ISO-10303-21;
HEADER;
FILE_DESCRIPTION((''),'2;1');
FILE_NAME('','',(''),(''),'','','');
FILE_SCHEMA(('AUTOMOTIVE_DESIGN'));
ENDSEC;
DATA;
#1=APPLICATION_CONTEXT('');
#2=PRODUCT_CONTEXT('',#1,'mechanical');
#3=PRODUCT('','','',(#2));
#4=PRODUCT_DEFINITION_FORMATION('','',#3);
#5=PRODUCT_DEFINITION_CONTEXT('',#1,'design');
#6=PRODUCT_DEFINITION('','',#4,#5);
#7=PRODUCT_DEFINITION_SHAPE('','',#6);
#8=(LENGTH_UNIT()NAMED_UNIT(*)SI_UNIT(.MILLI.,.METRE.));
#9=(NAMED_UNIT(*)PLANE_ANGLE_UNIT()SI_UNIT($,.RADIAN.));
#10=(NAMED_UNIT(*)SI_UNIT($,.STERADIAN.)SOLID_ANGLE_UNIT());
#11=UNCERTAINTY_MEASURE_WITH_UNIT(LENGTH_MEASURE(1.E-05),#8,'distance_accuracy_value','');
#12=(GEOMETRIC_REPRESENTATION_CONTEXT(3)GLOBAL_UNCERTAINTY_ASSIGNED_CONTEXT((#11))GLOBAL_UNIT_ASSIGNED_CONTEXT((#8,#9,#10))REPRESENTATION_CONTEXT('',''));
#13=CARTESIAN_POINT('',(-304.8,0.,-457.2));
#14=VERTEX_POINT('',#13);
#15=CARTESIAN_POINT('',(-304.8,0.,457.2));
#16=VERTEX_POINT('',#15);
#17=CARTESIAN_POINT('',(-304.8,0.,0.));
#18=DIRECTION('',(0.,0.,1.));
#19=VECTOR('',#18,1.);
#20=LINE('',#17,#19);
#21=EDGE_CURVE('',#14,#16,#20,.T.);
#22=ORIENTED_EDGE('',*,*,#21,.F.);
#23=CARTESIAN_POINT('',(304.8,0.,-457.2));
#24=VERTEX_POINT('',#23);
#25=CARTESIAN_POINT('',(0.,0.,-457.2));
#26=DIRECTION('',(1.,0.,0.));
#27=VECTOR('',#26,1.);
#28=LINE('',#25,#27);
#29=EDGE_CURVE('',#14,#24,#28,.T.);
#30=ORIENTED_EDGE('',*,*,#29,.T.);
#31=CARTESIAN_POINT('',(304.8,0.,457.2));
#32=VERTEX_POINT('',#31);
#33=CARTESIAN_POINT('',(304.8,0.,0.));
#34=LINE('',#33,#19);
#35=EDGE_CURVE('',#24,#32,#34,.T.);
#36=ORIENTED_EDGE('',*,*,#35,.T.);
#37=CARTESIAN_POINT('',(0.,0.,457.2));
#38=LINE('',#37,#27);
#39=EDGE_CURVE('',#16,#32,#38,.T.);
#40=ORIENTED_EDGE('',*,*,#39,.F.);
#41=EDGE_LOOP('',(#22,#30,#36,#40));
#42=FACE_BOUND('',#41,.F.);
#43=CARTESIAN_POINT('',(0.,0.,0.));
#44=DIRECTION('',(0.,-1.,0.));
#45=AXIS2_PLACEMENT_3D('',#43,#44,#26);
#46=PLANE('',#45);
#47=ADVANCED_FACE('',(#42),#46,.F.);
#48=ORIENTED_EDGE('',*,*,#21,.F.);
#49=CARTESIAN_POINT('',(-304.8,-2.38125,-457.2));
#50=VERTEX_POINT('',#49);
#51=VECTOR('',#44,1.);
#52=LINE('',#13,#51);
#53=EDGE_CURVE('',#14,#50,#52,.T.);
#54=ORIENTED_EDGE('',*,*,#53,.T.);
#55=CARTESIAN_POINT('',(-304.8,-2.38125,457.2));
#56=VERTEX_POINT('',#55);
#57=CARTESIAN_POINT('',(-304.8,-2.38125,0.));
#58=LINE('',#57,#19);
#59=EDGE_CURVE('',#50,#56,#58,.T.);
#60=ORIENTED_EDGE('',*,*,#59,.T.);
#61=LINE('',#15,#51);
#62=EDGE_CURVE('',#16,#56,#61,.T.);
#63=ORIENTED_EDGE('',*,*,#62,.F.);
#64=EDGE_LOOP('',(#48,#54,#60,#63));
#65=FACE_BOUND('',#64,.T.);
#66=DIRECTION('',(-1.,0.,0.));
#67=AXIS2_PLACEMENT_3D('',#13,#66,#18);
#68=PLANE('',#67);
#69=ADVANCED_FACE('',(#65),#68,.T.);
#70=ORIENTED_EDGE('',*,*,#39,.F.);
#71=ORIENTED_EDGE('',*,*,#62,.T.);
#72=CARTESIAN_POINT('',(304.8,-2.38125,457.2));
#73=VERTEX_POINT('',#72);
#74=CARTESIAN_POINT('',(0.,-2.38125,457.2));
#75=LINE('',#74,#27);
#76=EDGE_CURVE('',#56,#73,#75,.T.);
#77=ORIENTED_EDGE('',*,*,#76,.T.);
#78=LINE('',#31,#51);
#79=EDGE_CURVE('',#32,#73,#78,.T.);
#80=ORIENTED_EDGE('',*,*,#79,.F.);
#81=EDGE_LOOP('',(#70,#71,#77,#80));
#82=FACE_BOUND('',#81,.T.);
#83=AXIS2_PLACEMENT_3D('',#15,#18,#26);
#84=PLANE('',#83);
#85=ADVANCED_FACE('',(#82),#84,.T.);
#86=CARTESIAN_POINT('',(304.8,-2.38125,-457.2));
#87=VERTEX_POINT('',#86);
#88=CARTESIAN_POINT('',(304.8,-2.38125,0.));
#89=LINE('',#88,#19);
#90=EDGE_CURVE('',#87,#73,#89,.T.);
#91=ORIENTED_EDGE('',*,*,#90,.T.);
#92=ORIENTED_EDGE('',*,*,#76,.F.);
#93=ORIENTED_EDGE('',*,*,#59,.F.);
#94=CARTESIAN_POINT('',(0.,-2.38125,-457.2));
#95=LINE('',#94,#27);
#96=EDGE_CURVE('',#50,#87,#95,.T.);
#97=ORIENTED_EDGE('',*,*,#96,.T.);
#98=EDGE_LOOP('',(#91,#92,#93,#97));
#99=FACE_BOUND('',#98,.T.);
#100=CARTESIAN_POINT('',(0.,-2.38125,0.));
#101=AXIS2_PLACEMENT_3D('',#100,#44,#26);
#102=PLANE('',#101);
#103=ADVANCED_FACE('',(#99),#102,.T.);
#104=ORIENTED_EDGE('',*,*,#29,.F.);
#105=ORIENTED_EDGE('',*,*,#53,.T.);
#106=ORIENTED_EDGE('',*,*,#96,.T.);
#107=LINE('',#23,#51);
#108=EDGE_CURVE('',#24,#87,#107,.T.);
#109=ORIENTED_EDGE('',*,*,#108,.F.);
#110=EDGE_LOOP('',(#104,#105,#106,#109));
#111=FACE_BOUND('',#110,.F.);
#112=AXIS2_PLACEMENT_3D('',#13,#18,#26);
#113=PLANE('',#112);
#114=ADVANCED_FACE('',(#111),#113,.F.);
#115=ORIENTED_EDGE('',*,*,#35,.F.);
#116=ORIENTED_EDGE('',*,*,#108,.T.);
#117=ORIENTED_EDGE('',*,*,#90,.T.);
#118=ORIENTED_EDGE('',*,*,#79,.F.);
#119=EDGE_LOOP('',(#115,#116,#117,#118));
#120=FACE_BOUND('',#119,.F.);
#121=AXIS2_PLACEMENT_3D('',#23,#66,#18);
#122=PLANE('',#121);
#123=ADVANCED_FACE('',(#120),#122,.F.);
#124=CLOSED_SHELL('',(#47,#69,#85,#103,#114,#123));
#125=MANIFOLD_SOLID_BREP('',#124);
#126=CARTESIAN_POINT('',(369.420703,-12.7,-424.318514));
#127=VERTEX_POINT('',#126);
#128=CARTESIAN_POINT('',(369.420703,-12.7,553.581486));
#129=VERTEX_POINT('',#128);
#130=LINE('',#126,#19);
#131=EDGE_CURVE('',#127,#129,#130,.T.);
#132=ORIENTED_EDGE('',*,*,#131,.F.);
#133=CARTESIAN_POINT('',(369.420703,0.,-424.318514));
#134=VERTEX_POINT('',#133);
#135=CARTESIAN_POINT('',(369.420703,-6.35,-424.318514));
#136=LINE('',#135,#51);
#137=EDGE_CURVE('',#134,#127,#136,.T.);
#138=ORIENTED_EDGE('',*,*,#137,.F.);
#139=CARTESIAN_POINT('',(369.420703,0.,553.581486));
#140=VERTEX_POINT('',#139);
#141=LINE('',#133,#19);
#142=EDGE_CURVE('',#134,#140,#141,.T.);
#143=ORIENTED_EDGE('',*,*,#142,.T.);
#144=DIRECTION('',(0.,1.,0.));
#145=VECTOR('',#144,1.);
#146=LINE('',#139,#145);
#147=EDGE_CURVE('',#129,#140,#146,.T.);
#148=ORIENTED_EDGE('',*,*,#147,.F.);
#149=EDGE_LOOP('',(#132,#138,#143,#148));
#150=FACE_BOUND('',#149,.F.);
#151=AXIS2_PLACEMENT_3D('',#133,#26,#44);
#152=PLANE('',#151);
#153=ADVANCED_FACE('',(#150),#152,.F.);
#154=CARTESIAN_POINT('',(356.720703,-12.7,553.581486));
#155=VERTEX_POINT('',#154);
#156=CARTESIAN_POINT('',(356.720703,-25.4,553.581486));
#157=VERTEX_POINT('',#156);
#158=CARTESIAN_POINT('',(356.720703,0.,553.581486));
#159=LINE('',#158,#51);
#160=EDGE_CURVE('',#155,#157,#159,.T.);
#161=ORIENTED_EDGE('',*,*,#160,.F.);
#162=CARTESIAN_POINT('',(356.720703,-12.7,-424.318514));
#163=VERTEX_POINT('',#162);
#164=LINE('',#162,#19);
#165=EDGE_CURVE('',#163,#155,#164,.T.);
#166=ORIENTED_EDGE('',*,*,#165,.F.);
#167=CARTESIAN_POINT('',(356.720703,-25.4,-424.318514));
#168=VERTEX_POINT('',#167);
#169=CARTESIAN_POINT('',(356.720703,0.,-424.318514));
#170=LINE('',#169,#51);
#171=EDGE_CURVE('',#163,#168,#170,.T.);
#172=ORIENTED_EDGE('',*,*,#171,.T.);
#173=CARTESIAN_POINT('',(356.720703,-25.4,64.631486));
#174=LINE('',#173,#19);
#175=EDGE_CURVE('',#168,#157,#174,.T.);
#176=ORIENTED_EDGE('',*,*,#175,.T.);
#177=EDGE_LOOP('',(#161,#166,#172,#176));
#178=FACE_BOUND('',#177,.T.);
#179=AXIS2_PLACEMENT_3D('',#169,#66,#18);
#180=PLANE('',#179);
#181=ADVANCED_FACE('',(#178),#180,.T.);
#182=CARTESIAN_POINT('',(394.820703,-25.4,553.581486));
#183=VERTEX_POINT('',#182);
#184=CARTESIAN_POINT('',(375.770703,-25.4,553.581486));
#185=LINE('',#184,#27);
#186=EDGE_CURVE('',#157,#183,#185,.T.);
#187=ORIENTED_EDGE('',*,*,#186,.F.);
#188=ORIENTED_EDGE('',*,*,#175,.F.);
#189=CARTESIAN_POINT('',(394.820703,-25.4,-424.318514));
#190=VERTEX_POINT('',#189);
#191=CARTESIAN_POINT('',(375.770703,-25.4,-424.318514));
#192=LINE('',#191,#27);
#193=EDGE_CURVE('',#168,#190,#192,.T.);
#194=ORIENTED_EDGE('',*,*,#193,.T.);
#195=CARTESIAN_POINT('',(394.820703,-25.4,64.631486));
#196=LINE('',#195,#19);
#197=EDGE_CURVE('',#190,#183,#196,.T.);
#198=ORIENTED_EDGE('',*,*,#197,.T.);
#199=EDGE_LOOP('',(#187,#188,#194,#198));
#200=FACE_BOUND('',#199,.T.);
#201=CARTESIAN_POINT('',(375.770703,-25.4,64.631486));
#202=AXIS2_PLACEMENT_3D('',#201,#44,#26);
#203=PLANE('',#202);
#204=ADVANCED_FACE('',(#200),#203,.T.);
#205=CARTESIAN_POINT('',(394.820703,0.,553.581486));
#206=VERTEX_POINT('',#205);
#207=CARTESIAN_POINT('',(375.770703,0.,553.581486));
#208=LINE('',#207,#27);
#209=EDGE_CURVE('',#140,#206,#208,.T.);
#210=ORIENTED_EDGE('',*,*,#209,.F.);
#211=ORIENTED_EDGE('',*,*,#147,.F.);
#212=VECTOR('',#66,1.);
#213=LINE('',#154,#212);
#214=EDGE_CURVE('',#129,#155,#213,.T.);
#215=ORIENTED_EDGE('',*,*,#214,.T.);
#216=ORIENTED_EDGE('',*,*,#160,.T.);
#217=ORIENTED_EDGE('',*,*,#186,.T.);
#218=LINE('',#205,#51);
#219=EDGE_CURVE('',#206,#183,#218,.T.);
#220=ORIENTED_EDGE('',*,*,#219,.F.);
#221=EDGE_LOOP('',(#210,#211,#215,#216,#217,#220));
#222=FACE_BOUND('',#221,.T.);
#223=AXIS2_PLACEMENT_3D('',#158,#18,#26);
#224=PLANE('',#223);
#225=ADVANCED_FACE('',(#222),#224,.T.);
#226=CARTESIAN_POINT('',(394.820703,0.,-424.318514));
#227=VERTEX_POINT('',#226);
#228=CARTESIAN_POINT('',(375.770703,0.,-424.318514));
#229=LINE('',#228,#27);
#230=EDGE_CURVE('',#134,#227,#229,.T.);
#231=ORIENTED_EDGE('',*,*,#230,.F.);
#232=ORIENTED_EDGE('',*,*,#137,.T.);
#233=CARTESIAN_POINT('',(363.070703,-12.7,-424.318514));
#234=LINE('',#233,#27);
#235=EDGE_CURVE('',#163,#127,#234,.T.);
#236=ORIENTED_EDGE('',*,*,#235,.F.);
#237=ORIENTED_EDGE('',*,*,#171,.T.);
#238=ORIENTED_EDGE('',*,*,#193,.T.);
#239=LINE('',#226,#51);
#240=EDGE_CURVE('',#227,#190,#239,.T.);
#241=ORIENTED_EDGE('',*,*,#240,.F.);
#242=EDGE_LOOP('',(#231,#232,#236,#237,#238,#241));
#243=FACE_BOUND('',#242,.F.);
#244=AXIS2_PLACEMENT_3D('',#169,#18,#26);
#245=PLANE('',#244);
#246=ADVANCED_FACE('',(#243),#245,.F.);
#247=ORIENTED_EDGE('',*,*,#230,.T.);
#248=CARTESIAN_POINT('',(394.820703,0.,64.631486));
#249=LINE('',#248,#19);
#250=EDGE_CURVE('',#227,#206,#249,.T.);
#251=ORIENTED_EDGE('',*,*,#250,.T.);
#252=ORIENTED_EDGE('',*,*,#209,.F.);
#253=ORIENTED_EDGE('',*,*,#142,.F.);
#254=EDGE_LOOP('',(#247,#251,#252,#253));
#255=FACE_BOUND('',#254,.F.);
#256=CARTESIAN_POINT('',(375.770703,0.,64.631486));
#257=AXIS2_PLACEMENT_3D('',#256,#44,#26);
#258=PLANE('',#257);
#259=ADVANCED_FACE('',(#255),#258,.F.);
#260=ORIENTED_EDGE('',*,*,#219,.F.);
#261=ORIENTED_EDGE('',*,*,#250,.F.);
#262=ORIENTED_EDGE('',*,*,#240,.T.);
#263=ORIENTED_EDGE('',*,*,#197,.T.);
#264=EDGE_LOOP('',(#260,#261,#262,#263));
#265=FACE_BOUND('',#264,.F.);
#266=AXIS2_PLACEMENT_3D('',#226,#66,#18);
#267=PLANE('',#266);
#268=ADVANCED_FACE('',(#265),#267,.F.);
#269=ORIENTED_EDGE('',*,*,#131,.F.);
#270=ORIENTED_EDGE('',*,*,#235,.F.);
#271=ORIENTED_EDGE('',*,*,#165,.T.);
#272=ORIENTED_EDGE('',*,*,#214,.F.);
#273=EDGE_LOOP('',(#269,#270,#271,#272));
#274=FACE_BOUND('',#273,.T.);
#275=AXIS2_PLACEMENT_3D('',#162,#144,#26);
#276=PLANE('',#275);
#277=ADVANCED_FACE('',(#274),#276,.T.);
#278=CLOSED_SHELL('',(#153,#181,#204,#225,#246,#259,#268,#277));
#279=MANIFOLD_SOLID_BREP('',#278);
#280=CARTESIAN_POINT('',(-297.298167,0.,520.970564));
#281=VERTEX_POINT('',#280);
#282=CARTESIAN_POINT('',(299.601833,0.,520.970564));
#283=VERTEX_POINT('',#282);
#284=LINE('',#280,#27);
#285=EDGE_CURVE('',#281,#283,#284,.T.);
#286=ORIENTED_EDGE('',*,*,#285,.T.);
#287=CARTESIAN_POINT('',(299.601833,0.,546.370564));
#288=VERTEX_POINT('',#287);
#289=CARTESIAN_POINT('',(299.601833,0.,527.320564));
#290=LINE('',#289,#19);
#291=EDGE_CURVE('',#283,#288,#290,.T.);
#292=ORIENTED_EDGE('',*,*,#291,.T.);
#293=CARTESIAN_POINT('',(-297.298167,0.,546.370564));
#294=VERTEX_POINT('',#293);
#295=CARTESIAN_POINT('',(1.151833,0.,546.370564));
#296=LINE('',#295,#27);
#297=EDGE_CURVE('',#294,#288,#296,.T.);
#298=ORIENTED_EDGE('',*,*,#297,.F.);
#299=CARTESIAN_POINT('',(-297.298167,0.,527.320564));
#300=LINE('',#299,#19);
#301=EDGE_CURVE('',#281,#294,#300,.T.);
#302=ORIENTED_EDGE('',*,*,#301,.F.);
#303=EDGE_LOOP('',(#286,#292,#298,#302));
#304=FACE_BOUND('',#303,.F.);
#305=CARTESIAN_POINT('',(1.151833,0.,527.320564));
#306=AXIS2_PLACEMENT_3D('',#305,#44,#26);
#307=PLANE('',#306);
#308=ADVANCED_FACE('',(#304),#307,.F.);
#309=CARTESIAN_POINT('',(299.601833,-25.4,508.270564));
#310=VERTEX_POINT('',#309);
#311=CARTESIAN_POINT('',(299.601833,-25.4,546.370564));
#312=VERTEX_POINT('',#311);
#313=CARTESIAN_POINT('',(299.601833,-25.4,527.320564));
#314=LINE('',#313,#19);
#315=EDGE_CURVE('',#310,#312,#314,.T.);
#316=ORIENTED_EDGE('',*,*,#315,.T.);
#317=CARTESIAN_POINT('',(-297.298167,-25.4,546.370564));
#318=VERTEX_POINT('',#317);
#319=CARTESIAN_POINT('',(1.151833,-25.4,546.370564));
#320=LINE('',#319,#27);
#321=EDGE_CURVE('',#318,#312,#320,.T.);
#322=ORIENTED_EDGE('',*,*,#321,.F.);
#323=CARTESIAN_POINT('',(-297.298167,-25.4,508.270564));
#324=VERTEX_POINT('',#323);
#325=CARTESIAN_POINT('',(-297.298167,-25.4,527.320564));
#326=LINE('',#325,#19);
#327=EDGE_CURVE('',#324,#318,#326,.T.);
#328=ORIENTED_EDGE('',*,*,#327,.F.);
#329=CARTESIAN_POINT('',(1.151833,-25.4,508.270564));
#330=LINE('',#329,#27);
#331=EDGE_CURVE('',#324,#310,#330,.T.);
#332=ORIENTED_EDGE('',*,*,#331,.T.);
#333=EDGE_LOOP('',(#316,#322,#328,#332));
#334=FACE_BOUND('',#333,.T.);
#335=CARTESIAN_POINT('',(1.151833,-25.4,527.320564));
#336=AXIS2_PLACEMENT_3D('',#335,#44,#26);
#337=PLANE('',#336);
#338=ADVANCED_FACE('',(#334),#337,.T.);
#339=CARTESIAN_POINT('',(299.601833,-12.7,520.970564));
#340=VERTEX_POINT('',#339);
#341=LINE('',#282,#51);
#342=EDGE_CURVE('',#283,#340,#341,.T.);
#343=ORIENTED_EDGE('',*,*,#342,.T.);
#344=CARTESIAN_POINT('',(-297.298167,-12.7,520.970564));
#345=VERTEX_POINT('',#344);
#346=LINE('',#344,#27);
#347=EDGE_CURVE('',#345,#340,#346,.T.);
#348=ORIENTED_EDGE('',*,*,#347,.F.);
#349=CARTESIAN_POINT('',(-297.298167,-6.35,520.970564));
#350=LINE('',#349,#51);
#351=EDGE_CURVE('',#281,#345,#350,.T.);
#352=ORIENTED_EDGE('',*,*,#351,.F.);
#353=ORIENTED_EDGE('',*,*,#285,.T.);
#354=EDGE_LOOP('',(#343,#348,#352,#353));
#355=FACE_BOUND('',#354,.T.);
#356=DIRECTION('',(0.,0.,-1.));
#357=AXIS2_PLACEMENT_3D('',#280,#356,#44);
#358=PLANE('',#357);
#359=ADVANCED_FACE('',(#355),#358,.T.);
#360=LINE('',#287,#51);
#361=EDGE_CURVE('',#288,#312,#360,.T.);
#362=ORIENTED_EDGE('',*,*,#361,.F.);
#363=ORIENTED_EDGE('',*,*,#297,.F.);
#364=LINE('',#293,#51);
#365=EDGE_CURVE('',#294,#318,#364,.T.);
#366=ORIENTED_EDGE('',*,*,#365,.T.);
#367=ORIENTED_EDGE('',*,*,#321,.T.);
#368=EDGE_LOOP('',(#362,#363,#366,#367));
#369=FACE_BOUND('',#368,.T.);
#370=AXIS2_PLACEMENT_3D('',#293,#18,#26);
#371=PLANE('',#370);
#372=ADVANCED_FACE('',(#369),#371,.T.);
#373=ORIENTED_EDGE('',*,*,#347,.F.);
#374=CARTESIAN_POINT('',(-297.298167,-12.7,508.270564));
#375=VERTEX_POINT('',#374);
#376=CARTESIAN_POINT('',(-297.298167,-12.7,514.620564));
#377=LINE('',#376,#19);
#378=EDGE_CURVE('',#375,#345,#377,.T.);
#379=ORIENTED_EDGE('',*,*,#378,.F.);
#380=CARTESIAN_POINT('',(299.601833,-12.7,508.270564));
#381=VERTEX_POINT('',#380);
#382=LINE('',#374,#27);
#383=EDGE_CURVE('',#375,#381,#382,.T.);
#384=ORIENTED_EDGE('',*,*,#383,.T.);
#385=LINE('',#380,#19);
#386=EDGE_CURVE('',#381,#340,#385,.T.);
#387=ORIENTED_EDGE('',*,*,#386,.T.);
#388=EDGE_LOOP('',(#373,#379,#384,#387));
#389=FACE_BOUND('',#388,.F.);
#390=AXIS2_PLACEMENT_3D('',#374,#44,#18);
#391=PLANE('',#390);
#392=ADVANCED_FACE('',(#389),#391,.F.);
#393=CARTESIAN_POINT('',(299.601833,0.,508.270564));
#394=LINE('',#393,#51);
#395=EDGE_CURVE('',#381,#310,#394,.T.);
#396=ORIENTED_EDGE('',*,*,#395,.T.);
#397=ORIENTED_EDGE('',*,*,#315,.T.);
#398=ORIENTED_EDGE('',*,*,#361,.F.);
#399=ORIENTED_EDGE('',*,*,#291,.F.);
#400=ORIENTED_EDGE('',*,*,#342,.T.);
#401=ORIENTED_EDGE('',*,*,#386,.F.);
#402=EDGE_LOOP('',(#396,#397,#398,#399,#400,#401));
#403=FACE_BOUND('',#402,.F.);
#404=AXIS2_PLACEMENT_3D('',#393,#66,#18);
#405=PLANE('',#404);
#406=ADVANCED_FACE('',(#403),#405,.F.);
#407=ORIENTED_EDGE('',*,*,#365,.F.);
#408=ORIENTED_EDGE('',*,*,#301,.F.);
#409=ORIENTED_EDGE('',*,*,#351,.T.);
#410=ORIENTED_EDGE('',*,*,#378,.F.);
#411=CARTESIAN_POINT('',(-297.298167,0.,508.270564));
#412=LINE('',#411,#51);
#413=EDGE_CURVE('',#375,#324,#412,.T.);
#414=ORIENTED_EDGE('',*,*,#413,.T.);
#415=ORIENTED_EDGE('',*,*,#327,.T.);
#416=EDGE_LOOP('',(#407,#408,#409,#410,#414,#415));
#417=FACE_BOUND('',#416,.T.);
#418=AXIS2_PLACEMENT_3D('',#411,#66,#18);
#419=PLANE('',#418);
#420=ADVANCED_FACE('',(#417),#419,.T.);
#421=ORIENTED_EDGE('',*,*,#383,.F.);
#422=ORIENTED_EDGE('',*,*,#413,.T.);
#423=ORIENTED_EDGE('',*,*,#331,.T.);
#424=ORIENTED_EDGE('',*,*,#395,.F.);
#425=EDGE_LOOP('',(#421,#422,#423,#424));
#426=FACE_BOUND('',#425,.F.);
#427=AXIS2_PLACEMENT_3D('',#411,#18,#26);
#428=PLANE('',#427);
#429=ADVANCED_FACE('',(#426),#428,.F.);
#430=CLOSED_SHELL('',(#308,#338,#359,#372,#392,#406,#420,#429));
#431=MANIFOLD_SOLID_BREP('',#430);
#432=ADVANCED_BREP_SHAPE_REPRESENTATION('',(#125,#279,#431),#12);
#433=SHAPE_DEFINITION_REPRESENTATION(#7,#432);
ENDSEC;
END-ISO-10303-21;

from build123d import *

# Parameters (mm, degrees)
F0_W     = 609.6
F0_H     = 914.4
F1_DEPTH = 2.38125
F3_W     = 38.1
F3_H     = 977.9
F4_DEPTH = 25.4
F2_W     = 596.9
F2_H     = 38.1
F5_DEPTH = 25.4
F6_W     = 12.7
F6_H     = 12.7
F7_DEPTH = 609.6
F8_W     = 12.7
F8_H     = 12.7
F9_DEPTH = 977.901


with BuildPart() as f1:
    # F0 (on Front) → F1 (new body)
    with BuildSketch(Plane.XZ):
        Rectangle(F0_W, F0_H)
    extrude(amount=F1_DEPTH)


with BuildPart() as f4:
    # F3 (on Front) → F4 (new body)
    with BuildSketch(Plane.XZ):
        with Locations((375.770703, 64.631486)):
            Rectangle(F3_W, F3_H)
    extrude(amount=F4_DEPTH)

    # F8 (on face) → F9 (cut, through all)
    with BuildSketch(Plane(origin=(0, 0, -424.318514), x_dir=(1, 0, 0), z_dir=(0, 0, -1))):
        with Locations((363.070703, 6.35)):
            Rectangle(F8_W, F8_H)
    extrude(amount=-F9_DEPTH, mode=Mode.SUBTRACT)


with BuildPart() as f5:
    # F2 (on Front) → F5 (new body)
    with BuildSketch(Plane.XZ):
        with Locations((1.151833, 527.320564)):
            Rectangle(F2_W, F2_H)
    extrude(amount=F5_DEPTH)

    # F6 (on face) → F7 (cut)
    with BuildSketch(Plane(origin=(-297.298167, 0, 0), x_dir=(0, -1, 0), z_dir=(-1, 0, 0))):
        with Locations((6.35, 514.620564)):
            Rectangle(F6_W, F6_H)
    extrude(amount=-F7_DEPTH, mode=Mode.SUBTRACT)


solid = Compound([f1.part, f4.part, f5.part])
